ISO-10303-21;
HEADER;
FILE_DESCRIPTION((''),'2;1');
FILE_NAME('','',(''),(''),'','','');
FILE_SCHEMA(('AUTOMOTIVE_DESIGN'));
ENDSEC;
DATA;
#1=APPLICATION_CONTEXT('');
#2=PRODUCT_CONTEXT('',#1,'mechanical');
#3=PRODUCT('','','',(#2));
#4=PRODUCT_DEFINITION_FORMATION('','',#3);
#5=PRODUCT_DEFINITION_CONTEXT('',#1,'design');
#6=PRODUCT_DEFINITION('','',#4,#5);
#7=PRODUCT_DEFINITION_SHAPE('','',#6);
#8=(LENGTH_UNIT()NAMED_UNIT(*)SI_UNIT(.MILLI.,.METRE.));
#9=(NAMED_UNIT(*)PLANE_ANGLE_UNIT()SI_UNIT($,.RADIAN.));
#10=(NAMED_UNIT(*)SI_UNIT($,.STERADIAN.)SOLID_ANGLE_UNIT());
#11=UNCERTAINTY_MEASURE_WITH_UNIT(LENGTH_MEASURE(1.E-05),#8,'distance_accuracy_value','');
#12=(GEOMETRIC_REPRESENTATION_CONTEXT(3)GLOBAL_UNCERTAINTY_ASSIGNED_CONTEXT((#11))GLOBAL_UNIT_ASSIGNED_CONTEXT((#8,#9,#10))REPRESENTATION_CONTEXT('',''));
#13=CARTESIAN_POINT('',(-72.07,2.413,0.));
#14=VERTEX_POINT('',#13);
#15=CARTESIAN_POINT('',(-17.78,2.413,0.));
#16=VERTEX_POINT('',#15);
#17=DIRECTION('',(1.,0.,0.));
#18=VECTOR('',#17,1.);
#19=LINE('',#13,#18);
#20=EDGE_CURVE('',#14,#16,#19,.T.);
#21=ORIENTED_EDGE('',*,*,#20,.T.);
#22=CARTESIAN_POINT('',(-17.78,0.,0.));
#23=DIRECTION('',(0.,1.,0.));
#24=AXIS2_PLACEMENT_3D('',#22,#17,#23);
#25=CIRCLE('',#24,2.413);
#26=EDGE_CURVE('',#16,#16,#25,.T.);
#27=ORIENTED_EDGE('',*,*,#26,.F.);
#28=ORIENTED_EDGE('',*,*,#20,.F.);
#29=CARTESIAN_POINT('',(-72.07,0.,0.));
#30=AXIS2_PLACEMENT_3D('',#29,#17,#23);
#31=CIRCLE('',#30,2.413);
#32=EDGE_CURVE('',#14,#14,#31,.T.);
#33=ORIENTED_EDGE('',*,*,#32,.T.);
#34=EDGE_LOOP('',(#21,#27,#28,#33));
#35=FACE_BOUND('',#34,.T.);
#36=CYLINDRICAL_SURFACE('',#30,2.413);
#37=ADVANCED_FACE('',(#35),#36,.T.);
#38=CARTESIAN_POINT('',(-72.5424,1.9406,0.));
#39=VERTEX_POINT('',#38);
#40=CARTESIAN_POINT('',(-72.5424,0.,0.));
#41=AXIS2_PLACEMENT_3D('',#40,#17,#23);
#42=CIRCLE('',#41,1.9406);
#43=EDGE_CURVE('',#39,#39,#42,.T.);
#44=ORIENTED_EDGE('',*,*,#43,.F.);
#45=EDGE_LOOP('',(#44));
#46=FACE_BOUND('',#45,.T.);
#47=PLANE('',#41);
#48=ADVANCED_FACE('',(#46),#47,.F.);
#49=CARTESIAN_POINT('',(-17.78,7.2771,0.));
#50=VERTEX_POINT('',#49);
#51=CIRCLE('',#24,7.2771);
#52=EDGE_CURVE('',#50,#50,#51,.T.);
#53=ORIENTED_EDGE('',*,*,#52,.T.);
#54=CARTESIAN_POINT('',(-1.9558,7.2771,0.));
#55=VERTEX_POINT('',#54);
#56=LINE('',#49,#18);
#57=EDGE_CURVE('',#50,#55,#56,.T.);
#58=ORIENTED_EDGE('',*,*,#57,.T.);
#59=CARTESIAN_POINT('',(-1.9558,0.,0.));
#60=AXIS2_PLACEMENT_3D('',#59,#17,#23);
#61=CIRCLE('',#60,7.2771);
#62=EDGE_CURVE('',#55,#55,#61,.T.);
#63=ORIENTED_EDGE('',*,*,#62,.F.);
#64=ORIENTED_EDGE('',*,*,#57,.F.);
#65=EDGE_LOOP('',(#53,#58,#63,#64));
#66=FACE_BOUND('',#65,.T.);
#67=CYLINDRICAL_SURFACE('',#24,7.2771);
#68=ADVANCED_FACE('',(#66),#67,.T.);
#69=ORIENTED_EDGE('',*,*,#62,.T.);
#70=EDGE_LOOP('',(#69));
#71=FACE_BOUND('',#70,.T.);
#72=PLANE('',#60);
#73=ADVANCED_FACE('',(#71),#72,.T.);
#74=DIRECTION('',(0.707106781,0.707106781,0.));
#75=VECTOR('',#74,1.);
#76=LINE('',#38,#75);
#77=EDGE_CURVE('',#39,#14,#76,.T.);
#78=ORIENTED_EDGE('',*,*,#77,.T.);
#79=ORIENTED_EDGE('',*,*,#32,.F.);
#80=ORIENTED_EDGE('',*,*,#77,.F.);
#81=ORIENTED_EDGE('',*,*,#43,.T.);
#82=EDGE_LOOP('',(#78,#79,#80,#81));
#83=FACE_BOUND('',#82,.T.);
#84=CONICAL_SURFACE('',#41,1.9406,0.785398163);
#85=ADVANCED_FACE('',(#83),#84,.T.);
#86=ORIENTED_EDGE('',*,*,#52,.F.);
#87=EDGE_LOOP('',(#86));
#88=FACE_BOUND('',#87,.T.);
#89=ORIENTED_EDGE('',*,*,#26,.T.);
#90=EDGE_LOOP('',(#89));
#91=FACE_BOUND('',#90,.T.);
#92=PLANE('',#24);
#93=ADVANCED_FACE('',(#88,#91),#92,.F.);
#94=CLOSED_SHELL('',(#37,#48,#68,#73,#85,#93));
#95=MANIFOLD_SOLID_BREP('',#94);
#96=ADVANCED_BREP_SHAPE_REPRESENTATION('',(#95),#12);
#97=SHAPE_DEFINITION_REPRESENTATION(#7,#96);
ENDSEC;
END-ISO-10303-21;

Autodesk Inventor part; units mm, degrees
sketch "Sketch_5" plane through (0, 0, 0) normal (0, 0, 1) x (1, 0, 0)
  line L0 (-9.525, 0) -> (-72.5424, 0)
  line L1 (-72.5424, 0) -> (-72.5424, 1.9406)
  line L2 (-72.5424, 1.9406) -> (-72.07, 2.413)
  line L3 (-72.07, 2.413) -> (-9.525, 2.413)
  line L4 (-9.525, 2.413) -> (-9.525, 0)
  line L5 (-9.525, 0) -> (-72.5424, 0)
revolve "Revolution1" add sketch "Sketch_5" angle 360 about axis through (-9.525, 0, 0) along (1, 0, 0)
sketch "Sketch_14" plane through (0, 0, 0) normal (0, 0, 1) x (1, 0, 0)
  line L0 (-1.9558, 0) -> (-17.78, 0)
  line L1 (-17.78, 0) -> (-17.78, 7.2771)
  line L2 (-17.78, 7.2771) -> (-1.9558, 7.2771)
  line L3 (-1.9558, 7.2771) -> (-1.9558, 0)
  line L4 (-1.9558, 0) -> (-17.78, 0)
revolve "Revolution2" add sketch "Sketch_14" angle 360 about axis through (-1.9558, 0, 0) along (1, 0, 0)
ref_plane "h1_XY" through (-72.5424, 0, 0) normal (0, 1, 0) x (1, 0, 0)
ref_plane "h1_YZ" through (-72.5424, 0, 0) normal (1, 0, 0) x (0, 0, -1)
ref_plane "h1_ZX" through (-72.5424, 0, 0) normal (0, 0, -1) x (0, 1, 0)
ref_plane "h2_XY" through (-72.5424, 0, 0) normal (0, 1, 0) x (1, 0, 0)
ref_plane "h2_YZ" through (-72.5424, 0, 0) normal (1, 0, 0) x (0, 0, -1)
ref_plane "h2_ZX" through (-72.5424, 0, 0) normal (0, 0, -1) x (0, 1, 0)
ref_plane "k1_XY" through (-72.5424, 0, -2.413) normal (0, 1, 0) x (1, 0, 0)
ref_plane "k1_YZ" through (-72.5424, 0, -2.413) normal (1, 0, 0) x (0, 0, -1)
ref_plane "k1_ZX" through (-72.5424, 0, -2.413) normal (0, 0, -1) x (0, 1, 0)
ref_plane "k2_XY" through (-72.5424, 0, 2.413) normal (0, 1, 0) x (1, 0, 0)
ref_plane "k2_YZ" through (-72.5424, 0, 2.413) normal (1, 0, 0) x (0, 0, -1)
ref_plane "k2_ZX" through (-72.5424, 0, 2.413) normal (0, 0, -1) x (0, 1, 0)
ref_plane "start_XY" through (-59.8424, 0, 0) normal (0, 1, 0) x (1, 0, 0)
ref_plane "start_YZ" through (-59.8424, 0, 0) normal (1, 0, 0) x (0, 0, -1)
ref_plane "start_ZX" through (-59.8424, 0, 0) normal (0, 0, -1) x (0, 1, 0)
ref_plane "to_prc_XY" through (-72.5424, 0, 0) normal (1, 0, 0) x (0, 0, -1)
ref_plane "to_prc_YZ" through (-72.5424, 0, 0) normal (0, 0, -1) x (0, 1, 0)
ref_plane "to_prc_ZX" through (-72.5424, 0, 0) normal (0, 1, 0) x (1, 0, 0)
ref_plane "to_rod_guide_XY" through (-72.5424, 0, 0) normal (1, 0, 0) x (0, 0, -1)
ref_plane "to_rod_guide_YZ" through (-72.5424, 0, 0) normal (0, 0, -1) x (0, 1, 0)
ref_plane "to_rod_guide_ZX" through (-72.5424, 0, 0) normal (0, 1, 0) x (1, 0, 0)
properties part number "D-95381-1XP-2.856-3pos"
